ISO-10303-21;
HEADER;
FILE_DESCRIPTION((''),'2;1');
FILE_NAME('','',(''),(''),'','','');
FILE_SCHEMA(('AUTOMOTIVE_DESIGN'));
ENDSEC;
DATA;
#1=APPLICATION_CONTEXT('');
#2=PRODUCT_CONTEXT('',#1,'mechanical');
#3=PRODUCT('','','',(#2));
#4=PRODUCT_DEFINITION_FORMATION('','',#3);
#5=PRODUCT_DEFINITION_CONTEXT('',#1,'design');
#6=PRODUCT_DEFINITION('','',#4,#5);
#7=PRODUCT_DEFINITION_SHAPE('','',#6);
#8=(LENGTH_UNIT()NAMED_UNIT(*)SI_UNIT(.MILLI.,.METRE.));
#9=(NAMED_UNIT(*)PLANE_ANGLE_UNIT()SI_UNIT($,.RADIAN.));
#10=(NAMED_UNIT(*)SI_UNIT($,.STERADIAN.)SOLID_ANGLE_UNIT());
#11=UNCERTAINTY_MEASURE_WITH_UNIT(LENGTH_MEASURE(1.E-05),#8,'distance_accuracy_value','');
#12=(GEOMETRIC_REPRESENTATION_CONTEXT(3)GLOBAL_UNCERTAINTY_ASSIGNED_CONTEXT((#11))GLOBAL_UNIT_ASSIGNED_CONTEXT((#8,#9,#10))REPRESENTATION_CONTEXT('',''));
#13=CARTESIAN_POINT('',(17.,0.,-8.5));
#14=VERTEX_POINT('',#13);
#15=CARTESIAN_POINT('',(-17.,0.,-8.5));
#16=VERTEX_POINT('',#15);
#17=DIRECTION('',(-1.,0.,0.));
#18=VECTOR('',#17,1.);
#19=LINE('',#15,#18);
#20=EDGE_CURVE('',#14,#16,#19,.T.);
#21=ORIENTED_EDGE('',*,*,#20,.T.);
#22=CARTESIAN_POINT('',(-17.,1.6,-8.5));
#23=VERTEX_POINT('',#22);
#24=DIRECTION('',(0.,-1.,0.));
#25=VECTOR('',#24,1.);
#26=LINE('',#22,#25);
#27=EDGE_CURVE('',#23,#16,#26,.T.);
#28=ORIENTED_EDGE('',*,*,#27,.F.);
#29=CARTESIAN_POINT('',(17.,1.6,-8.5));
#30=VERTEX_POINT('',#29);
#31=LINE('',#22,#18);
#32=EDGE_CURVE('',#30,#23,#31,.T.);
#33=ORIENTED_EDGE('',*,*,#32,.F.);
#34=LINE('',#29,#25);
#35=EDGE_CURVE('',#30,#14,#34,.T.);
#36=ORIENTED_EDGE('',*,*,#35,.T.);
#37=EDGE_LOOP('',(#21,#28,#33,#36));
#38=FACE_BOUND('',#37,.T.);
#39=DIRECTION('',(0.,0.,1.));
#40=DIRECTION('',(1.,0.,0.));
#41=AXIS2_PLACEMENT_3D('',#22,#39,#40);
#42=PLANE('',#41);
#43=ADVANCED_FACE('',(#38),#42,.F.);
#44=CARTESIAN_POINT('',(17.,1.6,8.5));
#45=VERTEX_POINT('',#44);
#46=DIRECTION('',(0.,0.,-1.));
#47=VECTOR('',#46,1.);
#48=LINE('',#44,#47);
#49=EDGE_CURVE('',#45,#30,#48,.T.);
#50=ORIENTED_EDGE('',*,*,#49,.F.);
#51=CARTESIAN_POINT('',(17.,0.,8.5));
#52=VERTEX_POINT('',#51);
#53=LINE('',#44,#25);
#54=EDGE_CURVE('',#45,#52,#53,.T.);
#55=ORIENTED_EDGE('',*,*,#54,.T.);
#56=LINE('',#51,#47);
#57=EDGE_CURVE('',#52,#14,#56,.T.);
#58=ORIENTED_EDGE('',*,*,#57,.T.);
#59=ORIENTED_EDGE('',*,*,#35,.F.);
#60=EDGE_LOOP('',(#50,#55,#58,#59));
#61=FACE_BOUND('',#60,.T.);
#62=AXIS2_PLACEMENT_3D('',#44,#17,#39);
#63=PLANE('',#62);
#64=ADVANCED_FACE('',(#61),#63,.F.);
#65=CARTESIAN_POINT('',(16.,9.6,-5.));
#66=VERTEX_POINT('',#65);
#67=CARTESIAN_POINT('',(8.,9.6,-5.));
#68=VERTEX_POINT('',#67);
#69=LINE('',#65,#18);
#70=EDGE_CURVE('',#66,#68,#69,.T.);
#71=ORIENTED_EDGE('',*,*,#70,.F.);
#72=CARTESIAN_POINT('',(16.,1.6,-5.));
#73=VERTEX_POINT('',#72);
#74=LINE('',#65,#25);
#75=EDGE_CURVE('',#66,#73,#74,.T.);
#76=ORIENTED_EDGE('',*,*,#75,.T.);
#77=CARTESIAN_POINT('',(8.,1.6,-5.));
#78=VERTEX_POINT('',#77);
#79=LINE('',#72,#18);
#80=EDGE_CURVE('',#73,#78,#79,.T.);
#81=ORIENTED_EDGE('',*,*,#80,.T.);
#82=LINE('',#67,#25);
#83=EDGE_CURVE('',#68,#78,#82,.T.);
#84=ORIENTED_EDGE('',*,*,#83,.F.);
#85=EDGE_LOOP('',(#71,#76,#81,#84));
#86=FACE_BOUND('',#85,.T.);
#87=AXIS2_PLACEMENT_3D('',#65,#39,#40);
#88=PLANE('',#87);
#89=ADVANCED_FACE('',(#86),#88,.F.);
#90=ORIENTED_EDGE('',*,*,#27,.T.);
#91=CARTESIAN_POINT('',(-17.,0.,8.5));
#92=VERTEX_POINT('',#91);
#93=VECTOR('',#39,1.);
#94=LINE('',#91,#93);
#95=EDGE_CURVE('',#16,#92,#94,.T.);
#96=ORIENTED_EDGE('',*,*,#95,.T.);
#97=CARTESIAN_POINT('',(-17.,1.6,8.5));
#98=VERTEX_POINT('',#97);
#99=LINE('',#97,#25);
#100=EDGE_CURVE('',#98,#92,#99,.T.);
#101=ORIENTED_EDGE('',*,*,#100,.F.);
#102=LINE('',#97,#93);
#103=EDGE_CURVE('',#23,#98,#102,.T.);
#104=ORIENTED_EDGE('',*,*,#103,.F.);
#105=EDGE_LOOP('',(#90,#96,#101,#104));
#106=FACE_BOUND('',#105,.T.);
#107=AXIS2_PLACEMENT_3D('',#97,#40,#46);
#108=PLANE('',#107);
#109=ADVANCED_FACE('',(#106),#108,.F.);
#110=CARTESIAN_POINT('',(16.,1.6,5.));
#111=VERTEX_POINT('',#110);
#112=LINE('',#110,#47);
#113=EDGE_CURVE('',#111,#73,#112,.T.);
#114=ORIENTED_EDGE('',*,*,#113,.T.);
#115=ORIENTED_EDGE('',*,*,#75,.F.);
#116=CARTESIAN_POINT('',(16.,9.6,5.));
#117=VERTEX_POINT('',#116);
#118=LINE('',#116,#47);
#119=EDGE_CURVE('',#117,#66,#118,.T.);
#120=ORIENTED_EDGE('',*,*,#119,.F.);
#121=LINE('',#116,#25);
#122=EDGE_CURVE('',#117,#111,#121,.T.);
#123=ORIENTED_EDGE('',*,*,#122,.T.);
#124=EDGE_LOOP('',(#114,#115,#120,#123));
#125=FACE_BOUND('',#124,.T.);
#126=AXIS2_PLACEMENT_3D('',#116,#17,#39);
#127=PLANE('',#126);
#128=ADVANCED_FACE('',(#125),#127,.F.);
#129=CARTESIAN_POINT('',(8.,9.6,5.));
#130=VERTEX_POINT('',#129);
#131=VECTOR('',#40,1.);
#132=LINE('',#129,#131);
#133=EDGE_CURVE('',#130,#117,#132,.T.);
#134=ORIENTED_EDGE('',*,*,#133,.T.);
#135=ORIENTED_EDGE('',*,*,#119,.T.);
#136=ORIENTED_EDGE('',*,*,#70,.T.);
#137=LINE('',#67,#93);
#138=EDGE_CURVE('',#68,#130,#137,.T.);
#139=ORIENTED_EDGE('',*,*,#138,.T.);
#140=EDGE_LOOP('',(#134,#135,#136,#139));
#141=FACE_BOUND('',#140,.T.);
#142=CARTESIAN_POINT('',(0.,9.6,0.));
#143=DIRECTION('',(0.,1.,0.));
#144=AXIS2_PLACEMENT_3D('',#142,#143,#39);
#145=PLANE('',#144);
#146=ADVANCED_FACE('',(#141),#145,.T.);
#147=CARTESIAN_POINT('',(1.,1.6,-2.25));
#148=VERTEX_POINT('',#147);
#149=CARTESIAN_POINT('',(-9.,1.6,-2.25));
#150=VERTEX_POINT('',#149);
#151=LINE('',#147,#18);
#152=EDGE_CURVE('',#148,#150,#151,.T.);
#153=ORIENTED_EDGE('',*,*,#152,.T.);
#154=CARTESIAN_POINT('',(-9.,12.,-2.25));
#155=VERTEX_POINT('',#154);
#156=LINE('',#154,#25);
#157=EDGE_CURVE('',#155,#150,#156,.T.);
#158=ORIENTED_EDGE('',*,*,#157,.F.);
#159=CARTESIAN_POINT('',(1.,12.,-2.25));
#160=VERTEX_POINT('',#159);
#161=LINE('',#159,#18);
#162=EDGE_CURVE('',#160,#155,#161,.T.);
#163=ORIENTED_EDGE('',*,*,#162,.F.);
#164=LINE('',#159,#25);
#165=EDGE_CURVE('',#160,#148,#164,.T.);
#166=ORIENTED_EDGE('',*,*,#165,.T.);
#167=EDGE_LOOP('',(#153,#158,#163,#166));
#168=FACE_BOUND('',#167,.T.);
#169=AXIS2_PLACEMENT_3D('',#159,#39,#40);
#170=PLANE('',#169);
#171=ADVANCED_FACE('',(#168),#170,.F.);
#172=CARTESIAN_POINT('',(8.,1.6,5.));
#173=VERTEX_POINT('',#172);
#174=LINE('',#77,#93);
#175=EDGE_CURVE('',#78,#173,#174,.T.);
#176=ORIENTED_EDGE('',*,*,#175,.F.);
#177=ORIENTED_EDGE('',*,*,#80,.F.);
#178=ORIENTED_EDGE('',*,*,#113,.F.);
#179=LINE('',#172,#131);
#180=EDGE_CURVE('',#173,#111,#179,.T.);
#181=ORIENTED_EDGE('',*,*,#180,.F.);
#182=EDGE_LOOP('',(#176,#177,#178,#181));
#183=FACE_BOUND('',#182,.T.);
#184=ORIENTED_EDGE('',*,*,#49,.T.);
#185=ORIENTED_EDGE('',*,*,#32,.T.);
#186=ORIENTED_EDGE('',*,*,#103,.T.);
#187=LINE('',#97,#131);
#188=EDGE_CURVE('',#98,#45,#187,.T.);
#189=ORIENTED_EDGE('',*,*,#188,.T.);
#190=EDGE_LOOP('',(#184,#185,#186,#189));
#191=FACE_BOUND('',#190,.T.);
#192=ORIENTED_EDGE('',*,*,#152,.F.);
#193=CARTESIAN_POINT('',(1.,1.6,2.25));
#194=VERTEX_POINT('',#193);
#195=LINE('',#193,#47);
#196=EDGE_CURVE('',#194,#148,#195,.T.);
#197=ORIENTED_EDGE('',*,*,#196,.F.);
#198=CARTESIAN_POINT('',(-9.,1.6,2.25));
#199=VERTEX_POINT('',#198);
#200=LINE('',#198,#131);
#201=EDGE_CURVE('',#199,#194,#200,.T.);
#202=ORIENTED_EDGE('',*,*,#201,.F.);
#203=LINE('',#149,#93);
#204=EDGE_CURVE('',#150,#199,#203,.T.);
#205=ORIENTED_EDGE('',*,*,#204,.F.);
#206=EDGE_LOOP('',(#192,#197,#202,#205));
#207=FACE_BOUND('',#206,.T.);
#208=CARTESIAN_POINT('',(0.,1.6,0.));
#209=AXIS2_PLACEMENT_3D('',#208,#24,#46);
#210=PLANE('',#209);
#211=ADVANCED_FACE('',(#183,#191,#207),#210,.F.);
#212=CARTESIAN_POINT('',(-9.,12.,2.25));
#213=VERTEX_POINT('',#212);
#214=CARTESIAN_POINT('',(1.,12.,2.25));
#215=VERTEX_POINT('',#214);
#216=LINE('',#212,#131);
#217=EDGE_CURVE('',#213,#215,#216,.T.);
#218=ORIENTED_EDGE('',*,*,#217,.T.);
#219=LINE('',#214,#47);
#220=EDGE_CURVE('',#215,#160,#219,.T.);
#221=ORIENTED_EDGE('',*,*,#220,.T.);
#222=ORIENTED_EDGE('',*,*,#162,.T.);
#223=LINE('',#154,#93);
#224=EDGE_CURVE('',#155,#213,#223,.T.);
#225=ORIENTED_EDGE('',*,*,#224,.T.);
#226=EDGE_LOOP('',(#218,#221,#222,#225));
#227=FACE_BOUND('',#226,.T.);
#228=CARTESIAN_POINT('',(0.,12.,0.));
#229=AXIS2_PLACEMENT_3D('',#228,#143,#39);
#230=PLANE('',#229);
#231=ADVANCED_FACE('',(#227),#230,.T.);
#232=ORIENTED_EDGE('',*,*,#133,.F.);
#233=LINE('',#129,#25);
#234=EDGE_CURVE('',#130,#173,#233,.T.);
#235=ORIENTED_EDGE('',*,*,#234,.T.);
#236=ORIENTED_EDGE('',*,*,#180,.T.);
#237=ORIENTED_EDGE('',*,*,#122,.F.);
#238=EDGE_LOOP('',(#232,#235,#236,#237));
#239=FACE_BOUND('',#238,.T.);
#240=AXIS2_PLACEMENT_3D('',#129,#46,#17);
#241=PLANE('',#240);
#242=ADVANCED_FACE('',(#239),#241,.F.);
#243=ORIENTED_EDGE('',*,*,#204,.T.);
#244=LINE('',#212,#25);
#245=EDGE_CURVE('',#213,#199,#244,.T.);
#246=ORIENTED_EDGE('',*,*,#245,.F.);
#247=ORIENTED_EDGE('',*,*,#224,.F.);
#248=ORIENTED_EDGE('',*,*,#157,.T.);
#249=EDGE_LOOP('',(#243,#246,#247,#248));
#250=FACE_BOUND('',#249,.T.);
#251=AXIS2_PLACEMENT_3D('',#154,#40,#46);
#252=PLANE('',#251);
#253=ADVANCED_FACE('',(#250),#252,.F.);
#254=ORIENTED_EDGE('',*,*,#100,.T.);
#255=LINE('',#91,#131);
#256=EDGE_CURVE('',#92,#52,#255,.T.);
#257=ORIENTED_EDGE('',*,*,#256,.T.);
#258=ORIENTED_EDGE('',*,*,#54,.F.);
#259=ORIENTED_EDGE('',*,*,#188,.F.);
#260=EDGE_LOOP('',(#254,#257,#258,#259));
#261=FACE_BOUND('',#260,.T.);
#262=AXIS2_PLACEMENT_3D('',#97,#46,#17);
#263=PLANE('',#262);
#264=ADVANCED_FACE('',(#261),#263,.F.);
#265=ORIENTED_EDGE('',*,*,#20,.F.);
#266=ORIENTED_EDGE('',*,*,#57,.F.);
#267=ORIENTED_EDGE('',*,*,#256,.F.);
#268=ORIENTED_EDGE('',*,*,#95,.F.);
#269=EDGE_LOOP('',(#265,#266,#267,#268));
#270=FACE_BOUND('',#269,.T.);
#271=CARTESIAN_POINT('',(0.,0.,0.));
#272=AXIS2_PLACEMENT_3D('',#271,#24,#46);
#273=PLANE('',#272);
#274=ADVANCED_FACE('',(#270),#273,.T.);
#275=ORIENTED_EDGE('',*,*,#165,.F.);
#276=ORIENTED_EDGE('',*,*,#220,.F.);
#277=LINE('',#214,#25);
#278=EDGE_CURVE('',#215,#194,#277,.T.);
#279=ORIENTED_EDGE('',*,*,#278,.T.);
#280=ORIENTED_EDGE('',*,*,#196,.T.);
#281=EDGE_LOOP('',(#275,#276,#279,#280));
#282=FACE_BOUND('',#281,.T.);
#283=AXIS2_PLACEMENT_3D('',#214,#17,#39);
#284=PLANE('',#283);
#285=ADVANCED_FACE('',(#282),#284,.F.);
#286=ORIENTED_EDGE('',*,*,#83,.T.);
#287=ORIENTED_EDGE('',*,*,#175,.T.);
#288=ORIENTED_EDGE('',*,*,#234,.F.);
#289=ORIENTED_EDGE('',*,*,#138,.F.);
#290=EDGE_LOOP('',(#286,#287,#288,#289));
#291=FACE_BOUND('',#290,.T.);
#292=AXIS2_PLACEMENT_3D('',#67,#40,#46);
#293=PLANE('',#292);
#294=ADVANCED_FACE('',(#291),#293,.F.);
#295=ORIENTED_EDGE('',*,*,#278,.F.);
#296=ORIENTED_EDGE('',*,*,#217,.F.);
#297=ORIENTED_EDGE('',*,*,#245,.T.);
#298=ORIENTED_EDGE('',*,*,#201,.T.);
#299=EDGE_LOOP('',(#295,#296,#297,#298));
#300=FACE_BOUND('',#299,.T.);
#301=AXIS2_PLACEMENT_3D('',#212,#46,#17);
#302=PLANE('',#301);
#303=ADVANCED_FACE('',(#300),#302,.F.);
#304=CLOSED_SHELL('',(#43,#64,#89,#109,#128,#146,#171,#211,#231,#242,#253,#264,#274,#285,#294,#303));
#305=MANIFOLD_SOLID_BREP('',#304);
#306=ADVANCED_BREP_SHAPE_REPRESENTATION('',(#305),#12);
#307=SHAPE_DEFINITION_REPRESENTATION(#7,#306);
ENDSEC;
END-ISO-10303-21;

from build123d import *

# Parameters (mm, degrees)
SKETCH1_W            = 34
SKETCH1_H            = 17
BOARD_DEPTH          = 1.6
TO220_START          = 1.6
SKETCH2_W            = 10
SKETCH2_H            = 4.5
TO220_DEPTH          = 10.4
TERMINAL_BLOCK_START = 1.6
SKETCH3_W            = 8
SKETCH3_H            = 10
TERMINAL_BLOCK_DEPTH = 8


with BuildPart() as part:
    # Sketch1 → Board (new body)
    with BuildSketch(Plane(origin=(0, 0, 0), x_dir=(1, 0, 0), z_dir=(0, 1, 0))):
        Rectangle(SKETCH1_W, SKETCH1_H)
    extrude(amount=BOARD_DEPTH)

    # Sketch2 → TO220 (add)
    with BuildSketch(Plane(origin=(0, 0, 0), x_dir=(1, 0, 0), z_dir=(0, 1, 0)).offset(TO220_START)):
        with Locations((-4, 0)):
            Rectangle(SKETCH2_W, SKETCH2_H)
    extrude(amount=TO220_DEPTH)

    # Sketch3 → Terminal_Block (add)
    with BuildSketch(Plane(origin=(0, 0, 0), x_dir=(1, 0, 0), z_dir=(0, 1, 0)).offset(TERMINAL_BLOCK_START)):
        with Locations((12, 0)):
            Rectangle(SKETCH3_W, SKETCH3_H)
    extrude(amount=TERMINAL_BLOCK_DEPTH)


solid = part.part
